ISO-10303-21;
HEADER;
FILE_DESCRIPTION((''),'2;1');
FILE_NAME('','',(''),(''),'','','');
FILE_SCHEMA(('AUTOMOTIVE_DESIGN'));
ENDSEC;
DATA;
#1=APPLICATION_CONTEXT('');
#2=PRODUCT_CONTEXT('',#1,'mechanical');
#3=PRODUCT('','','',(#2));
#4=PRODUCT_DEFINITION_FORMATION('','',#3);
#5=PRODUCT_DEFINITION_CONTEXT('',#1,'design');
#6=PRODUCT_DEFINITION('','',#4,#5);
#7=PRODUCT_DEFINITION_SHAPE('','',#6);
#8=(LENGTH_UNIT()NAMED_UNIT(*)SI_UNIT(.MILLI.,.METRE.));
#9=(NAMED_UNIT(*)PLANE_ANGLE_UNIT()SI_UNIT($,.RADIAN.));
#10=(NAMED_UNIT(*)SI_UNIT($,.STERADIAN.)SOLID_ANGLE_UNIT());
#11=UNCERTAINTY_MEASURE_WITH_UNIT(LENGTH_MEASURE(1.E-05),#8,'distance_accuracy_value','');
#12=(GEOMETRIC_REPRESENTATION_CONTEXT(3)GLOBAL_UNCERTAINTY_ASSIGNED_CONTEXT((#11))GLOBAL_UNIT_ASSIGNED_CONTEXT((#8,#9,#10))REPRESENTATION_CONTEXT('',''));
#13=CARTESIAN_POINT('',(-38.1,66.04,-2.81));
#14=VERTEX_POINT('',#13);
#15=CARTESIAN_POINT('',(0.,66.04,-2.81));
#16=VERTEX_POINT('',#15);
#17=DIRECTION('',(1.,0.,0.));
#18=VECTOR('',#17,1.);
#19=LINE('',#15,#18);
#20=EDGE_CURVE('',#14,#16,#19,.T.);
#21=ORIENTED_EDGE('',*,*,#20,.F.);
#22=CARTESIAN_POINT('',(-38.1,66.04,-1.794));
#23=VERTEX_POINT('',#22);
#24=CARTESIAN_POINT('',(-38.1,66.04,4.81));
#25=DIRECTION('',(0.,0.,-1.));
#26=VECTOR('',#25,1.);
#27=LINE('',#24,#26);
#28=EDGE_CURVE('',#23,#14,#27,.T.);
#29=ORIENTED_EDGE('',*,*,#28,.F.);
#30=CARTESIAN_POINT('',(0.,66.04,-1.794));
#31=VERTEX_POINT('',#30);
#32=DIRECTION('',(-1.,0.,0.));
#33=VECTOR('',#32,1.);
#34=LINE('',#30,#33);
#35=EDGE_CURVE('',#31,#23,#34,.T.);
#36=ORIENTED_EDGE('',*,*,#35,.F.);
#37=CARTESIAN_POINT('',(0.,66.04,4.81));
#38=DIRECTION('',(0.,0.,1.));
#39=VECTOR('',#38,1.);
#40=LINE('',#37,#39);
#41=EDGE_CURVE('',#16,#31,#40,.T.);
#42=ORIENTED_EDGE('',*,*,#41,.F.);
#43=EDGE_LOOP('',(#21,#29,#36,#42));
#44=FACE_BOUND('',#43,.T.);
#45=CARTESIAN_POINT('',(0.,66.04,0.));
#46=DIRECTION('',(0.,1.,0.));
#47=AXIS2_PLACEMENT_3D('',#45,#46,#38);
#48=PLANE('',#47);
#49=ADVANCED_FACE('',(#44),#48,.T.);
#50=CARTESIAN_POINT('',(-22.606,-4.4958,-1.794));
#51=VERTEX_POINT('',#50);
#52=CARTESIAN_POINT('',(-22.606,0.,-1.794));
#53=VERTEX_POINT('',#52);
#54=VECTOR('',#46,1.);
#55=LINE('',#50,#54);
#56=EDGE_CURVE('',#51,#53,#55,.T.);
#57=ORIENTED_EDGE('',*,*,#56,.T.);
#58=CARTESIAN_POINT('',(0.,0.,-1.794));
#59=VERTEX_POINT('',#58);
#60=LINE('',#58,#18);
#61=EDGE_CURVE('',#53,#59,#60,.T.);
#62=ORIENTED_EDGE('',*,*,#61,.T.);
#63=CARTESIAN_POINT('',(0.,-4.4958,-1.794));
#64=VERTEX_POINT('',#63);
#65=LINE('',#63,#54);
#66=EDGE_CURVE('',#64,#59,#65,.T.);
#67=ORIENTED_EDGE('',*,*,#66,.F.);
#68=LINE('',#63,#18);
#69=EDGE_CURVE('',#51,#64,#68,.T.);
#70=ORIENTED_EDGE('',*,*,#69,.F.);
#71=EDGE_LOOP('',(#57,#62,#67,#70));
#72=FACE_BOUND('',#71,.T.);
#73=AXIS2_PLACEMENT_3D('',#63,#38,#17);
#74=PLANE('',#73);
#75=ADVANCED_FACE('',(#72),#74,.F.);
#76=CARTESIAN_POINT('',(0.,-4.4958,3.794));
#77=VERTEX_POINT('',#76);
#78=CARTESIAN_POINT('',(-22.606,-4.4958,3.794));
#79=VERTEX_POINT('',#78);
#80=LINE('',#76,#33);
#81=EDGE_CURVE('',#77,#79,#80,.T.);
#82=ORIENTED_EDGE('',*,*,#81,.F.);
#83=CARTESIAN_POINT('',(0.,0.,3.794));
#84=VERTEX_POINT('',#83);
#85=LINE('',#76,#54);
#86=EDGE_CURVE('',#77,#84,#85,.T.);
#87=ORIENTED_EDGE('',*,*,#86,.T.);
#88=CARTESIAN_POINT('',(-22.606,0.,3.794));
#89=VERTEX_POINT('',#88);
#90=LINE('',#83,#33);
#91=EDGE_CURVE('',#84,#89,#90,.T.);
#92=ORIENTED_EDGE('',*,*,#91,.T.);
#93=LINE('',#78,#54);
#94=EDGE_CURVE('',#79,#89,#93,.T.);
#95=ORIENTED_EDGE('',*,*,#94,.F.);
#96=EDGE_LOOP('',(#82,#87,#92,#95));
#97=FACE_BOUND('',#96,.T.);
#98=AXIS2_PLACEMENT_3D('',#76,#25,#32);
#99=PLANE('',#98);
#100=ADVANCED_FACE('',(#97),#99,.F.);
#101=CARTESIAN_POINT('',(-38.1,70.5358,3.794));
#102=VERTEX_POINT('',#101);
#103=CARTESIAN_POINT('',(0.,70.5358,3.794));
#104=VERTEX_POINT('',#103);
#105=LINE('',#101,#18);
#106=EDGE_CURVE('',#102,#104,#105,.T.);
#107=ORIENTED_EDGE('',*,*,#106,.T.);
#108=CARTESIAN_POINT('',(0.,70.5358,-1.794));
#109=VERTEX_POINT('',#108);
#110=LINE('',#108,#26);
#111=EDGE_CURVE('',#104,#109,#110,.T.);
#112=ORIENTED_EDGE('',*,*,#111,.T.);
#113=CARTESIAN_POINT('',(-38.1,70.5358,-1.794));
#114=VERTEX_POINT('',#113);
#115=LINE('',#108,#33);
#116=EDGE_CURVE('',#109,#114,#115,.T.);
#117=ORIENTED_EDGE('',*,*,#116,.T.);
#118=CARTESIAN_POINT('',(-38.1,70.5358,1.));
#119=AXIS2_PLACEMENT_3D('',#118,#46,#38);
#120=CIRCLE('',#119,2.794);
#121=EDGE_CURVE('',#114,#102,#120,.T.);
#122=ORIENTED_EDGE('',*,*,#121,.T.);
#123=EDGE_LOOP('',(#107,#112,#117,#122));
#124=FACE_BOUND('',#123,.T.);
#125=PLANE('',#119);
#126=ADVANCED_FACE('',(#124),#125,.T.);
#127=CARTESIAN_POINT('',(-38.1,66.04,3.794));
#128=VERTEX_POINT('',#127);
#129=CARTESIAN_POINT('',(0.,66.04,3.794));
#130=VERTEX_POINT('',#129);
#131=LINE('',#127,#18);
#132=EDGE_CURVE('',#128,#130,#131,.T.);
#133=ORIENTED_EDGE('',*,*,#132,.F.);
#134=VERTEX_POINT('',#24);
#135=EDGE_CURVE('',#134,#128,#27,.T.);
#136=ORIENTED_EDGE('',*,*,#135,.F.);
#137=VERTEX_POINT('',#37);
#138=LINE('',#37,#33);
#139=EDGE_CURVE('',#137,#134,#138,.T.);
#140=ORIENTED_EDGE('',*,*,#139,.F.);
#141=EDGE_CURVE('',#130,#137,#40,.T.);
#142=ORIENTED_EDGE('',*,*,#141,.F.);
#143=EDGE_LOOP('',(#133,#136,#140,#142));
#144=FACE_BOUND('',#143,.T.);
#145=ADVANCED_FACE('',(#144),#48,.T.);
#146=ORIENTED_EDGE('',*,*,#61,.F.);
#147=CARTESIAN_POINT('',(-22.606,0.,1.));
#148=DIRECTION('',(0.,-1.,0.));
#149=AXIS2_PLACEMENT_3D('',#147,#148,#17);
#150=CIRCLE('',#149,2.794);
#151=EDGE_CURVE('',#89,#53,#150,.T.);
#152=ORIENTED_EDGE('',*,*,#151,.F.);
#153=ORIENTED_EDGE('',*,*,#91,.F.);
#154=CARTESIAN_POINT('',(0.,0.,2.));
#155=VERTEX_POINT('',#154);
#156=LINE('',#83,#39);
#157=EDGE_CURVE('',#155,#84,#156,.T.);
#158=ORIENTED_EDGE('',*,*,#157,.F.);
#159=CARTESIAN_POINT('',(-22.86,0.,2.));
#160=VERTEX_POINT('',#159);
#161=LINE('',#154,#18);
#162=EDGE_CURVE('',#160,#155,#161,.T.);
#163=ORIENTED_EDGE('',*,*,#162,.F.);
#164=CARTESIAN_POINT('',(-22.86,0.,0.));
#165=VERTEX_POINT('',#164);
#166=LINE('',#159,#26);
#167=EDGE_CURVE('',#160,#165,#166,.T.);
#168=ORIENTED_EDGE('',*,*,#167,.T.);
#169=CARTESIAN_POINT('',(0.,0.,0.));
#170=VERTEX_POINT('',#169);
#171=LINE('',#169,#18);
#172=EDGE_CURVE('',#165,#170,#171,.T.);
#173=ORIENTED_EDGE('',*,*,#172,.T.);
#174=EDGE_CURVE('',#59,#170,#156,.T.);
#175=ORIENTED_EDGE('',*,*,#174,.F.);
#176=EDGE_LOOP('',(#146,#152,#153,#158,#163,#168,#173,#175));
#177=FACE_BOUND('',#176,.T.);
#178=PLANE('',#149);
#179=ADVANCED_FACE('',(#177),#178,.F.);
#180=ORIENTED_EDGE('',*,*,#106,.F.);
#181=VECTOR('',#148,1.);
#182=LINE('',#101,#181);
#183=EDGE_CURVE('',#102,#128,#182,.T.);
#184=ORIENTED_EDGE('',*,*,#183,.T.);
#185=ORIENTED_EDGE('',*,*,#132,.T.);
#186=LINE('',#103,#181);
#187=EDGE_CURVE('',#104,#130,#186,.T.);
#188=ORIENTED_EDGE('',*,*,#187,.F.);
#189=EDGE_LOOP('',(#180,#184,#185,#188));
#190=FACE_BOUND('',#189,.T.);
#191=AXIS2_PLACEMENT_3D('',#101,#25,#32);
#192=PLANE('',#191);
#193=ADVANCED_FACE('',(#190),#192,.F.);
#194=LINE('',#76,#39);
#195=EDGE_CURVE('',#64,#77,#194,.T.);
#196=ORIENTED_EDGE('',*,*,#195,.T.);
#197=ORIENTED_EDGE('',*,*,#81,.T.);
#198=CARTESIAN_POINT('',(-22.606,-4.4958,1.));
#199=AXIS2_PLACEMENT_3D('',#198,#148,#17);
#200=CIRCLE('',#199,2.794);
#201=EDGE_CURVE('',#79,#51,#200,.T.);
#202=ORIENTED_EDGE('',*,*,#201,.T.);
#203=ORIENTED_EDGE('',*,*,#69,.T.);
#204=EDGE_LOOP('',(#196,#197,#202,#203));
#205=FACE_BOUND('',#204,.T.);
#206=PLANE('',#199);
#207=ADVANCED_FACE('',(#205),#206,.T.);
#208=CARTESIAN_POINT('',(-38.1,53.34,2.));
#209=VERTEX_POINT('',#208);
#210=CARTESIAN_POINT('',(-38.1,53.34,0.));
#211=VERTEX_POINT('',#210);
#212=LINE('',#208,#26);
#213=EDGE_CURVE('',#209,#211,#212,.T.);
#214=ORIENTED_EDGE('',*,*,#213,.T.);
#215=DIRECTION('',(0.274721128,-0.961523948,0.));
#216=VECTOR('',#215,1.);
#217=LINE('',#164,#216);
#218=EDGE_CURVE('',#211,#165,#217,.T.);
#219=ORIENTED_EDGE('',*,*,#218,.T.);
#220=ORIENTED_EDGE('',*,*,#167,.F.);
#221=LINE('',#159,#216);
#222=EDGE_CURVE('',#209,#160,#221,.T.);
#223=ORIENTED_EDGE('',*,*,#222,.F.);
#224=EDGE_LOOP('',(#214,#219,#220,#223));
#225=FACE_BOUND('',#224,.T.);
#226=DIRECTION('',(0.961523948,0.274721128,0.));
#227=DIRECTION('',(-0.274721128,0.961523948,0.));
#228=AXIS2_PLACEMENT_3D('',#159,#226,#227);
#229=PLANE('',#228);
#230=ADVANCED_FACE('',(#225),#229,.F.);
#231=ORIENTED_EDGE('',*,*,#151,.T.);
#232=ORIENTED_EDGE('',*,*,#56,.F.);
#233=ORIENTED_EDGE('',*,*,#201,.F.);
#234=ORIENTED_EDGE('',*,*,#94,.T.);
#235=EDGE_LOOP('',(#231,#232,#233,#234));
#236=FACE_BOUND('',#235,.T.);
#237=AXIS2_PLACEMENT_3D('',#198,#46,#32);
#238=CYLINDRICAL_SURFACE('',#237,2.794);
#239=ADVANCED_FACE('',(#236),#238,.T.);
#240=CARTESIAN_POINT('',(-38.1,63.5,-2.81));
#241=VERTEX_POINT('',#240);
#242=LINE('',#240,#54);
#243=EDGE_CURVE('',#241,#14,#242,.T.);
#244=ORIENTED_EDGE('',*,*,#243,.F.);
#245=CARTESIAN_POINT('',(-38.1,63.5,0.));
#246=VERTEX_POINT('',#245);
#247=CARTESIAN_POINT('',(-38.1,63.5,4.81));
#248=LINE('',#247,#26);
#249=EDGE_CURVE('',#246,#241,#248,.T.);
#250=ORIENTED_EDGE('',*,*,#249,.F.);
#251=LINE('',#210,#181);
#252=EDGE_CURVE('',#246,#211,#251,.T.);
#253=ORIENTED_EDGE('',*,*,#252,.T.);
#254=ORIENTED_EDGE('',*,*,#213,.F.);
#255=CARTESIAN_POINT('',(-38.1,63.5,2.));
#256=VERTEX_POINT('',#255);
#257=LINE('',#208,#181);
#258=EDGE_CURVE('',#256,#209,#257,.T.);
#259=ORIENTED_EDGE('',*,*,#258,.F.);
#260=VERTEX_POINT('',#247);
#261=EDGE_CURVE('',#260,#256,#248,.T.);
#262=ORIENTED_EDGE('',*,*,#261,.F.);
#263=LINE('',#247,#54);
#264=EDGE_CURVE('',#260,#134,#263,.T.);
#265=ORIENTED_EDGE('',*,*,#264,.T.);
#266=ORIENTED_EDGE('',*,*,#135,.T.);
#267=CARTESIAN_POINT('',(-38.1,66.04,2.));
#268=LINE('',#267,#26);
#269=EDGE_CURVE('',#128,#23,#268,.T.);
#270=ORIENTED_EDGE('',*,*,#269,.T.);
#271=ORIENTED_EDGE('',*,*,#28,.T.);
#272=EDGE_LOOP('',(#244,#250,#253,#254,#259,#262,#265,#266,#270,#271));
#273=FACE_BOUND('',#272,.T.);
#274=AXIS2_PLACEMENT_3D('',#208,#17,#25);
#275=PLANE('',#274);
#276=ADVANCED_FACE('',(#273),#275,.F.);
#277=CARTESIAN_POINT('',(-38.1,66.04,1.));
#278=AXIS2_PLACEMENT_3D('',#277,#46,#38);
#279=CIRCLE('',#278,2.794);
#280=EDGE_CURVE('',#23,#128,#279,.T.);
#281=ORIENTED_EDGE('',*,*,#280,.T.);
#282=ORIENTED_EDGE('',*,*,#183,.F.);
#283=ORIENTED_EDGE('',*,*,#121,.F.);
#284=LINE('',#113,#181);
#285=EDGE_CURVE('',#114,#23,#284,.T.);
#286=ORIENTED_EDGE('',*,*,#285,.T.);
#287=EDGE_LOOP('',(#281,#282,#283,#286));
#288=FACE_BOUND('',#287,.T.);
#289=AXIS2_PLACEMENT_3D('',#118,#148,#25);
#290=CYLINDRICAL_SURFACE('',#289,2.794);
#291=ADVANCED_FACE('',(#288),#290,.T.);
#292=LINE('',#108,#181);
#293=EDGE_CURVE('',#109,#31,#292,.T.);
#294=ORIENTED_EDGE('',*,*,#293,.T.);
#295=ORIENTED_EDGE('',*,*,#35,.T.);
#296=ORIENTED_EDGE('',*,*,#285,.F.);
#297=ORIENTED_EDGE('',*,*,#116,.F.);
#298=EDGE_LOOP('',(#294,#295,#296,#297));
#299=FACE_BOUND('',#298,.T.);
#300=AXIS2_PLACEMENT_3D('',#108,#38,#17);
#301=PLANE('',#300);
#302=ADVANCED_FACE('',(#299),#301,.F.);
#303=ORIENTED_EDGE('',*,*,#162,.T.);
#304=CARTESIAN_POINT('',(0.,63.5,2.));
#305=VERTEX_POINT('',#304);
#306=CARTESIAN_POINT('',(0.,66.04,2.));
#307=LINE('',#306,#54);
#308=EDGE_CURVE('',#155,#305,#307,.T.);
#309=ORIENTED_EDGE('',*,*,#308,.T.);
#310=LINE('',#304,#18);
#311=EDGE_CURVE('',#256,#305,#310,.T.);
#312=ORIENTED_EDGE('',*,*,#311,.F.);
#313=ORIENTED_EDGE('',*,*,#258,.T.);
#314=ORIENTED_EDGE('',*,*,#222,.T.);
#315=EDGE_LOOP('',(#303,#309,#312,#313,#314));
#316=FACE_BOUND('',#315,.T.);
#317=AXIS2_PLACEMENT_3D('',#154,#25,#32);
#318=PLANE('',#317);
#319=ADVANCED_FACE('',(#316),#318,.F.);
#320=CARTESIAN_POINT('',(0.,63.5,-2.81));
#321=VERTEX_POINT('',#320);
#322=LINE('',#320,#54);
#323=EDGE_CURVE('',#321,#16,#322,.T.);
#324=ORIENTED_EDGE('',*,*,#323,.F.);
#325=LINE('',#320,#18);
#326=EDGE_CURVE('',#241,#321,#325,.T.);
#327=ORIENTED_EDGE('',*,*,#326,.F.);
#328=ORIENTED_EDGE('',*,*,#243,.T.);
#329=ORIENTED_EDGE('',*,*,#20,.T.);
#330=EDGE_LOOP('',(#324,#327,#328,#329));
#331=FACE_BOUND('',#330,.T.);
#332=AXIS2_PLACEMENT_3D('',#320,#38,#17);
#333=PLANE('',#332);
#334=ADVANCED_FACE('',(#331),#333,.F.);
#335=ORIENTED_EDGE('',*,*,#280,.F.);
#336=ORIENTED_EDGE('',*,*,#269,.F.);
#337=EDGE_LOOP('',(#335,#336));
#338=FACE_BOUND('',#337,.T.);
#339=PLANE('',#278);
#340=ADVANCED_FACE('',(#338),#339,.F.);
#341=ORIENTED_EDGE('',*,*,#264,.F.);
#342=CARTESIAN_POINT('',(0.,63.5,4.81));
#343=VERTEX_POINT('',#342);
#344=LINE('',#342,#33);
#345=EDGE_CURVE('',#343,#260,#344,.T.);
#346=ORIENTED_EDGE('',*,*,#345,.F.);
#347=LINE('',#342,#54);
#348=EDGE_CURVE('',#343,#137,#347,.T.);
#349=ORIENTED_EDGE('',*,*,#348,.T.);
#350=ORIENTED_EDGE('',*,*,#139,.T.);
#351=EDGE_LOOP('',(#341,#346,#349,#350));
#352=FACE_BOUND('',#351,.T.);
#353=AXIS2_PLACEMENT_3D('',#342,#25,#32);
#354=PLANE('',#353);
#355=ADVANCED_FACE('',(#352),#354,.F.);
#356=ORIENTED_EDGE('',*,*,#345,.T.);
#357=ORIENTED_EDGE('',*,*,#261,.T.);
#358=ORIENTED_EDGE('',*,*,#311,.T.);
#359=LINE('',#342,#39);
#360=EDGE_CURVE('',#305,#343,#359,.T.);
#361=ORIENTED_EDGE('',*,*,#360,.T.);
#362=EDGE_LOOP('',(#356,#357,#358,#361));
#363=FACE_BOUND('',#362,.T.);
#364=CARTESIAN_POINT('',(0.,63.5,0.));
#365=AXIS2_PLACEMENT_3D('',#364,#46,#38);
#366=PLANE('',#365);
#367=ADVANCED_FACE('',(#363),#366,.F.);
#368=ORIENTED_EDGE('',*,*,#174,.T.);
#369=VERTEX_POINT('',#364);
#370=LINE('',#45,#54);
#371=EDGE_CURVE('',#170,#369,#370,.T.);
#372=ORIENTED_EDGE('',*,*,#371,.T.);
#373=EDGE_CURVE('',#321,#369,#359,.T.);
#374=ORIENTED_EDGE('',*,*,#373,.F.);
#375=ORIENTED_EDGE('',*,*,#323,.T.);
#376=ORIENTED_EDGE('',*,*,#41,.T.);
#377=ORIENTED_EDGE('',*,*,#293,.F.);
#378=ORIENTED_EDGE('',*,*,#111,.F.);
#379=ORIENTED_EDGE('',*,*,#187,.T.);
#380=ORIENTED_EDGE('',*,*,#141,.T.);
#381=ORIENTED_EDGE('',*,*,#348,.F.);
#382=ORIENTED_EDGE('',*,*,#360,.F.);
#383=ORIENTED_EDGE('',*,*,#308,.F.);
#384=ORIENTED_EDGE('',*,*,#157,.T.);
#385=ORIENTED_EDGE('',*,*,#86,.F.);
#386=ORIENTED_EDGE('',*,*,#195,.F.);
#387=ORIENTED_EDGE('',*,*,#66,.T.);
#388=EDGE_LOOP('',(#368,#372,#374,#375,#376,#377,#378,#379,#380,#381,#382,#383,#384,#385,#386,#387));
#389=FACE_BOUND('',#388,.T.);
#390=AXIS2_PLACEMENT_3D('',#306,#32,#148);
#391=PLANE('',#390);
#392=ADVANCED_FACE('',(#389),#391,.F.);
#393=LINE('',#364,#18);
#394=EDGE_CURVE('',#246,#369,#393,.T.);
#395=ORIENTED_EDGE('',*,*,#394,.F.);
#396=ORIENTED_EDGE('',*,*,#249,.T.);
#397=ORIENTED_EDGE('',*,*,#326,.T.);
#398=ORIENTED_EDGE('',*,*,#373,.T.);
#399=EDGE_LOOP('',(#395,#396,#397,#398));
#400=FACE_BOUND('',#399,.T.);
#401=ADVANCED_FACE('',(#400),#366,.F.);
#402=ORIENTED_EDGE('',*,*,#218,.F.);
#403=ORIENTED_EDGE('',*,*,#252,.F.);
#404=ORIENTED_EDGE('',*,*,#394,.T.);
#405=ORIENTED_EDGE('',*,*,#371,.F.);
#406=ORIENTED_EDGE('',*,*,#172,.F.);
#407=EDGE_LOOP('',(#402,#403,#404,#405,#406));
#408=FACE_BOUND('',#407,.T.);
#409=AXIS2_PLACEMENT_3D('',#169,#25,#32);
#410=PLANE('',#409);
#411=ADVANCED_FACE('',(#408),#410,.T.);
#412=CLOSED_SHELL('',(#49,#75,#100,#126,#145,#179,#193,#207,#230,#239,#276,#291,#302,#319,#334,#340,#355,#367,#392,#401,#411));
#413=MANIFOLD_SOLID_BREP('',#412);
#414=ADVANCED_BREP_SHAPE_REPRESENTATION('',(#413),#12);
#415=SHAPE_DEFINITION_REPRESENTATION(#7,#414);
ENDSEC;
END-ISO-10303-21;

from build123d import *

# Parameters (mm, degrees)
BOSS_EXTRUDE1_DEPTH = 2.000000064
BOSS_EXTRUDE2_DEPTH = 4.4958
BOSS_EXTRUDE3_DEPTH = 4.4958
SKETCH4_W           = 38.1
SKETCH4_H           = 7.62
BOSS_EXTRUDE4_DEPTH = 2.54


with BuildPart() as part:
    # Sketch1 → Boss-Extrude1 (new body)
    with BuildSketch(Plane.XY):
        Polygon((0, 0), (-22.86, 0), (-38.1, 53.34), (-38.1, 66.04), (0, 66.04), align=None)
    extrude(amount=BOSS_EXTRUDE1_DEPTH)

    # Sketch2 → Boss-Extrude2 (add)
    with BuildSketch(Plane.XZ):
        with BuildLine():
            Line((0, -1.793999968), (-22.606, -1.793999968))
            ThreePointArc((-22.606, -1.793999968), (-25.4, 1.000000032), (-22.606, 3.794000032))
            Line((-22.606, 3.794000032), (0, 3.794000032))
            Line((0, 3.794000032), (0, -1.793999968))
        make_face()
    extrude(amount=BOSS_EXTRUDE2_DEPTH)

    # Sketch3 → Boss-Extrude3 (add)
    with BuildSketch(Plane(origin=(0, 66.04, 0), x_dir=(1, 0, 0), z_dir=(0, 1, 0))):
        with BuildLine():
            Line((0, 1.793999968), (0, -3.794000032))
            Line((0, -3.794000032), (-38.1, -3.794000032))
            ThreePointArc((-38.1, -3.794000032), (-40.894, -1.000000032), (-38.1, 1.793999968))
            Line((-38.1, 1.793999968), (0, 1.793999968))
        make_face()
    extrude(amount=BOSS_EXTRUDE3_DEPTH)

    # Sketch4 → Boss-Extrude4 (add)
    with BuildSketch(Plane.XZ.offset(-66.04)):
        with Locations((-19.05, 1.000000032)):
            Rectangle(SKETCH4_W, SKETCH4_H)
    extrude(amount=BOSS_EXTRUDE4_DEPTH)


solid = part.part
